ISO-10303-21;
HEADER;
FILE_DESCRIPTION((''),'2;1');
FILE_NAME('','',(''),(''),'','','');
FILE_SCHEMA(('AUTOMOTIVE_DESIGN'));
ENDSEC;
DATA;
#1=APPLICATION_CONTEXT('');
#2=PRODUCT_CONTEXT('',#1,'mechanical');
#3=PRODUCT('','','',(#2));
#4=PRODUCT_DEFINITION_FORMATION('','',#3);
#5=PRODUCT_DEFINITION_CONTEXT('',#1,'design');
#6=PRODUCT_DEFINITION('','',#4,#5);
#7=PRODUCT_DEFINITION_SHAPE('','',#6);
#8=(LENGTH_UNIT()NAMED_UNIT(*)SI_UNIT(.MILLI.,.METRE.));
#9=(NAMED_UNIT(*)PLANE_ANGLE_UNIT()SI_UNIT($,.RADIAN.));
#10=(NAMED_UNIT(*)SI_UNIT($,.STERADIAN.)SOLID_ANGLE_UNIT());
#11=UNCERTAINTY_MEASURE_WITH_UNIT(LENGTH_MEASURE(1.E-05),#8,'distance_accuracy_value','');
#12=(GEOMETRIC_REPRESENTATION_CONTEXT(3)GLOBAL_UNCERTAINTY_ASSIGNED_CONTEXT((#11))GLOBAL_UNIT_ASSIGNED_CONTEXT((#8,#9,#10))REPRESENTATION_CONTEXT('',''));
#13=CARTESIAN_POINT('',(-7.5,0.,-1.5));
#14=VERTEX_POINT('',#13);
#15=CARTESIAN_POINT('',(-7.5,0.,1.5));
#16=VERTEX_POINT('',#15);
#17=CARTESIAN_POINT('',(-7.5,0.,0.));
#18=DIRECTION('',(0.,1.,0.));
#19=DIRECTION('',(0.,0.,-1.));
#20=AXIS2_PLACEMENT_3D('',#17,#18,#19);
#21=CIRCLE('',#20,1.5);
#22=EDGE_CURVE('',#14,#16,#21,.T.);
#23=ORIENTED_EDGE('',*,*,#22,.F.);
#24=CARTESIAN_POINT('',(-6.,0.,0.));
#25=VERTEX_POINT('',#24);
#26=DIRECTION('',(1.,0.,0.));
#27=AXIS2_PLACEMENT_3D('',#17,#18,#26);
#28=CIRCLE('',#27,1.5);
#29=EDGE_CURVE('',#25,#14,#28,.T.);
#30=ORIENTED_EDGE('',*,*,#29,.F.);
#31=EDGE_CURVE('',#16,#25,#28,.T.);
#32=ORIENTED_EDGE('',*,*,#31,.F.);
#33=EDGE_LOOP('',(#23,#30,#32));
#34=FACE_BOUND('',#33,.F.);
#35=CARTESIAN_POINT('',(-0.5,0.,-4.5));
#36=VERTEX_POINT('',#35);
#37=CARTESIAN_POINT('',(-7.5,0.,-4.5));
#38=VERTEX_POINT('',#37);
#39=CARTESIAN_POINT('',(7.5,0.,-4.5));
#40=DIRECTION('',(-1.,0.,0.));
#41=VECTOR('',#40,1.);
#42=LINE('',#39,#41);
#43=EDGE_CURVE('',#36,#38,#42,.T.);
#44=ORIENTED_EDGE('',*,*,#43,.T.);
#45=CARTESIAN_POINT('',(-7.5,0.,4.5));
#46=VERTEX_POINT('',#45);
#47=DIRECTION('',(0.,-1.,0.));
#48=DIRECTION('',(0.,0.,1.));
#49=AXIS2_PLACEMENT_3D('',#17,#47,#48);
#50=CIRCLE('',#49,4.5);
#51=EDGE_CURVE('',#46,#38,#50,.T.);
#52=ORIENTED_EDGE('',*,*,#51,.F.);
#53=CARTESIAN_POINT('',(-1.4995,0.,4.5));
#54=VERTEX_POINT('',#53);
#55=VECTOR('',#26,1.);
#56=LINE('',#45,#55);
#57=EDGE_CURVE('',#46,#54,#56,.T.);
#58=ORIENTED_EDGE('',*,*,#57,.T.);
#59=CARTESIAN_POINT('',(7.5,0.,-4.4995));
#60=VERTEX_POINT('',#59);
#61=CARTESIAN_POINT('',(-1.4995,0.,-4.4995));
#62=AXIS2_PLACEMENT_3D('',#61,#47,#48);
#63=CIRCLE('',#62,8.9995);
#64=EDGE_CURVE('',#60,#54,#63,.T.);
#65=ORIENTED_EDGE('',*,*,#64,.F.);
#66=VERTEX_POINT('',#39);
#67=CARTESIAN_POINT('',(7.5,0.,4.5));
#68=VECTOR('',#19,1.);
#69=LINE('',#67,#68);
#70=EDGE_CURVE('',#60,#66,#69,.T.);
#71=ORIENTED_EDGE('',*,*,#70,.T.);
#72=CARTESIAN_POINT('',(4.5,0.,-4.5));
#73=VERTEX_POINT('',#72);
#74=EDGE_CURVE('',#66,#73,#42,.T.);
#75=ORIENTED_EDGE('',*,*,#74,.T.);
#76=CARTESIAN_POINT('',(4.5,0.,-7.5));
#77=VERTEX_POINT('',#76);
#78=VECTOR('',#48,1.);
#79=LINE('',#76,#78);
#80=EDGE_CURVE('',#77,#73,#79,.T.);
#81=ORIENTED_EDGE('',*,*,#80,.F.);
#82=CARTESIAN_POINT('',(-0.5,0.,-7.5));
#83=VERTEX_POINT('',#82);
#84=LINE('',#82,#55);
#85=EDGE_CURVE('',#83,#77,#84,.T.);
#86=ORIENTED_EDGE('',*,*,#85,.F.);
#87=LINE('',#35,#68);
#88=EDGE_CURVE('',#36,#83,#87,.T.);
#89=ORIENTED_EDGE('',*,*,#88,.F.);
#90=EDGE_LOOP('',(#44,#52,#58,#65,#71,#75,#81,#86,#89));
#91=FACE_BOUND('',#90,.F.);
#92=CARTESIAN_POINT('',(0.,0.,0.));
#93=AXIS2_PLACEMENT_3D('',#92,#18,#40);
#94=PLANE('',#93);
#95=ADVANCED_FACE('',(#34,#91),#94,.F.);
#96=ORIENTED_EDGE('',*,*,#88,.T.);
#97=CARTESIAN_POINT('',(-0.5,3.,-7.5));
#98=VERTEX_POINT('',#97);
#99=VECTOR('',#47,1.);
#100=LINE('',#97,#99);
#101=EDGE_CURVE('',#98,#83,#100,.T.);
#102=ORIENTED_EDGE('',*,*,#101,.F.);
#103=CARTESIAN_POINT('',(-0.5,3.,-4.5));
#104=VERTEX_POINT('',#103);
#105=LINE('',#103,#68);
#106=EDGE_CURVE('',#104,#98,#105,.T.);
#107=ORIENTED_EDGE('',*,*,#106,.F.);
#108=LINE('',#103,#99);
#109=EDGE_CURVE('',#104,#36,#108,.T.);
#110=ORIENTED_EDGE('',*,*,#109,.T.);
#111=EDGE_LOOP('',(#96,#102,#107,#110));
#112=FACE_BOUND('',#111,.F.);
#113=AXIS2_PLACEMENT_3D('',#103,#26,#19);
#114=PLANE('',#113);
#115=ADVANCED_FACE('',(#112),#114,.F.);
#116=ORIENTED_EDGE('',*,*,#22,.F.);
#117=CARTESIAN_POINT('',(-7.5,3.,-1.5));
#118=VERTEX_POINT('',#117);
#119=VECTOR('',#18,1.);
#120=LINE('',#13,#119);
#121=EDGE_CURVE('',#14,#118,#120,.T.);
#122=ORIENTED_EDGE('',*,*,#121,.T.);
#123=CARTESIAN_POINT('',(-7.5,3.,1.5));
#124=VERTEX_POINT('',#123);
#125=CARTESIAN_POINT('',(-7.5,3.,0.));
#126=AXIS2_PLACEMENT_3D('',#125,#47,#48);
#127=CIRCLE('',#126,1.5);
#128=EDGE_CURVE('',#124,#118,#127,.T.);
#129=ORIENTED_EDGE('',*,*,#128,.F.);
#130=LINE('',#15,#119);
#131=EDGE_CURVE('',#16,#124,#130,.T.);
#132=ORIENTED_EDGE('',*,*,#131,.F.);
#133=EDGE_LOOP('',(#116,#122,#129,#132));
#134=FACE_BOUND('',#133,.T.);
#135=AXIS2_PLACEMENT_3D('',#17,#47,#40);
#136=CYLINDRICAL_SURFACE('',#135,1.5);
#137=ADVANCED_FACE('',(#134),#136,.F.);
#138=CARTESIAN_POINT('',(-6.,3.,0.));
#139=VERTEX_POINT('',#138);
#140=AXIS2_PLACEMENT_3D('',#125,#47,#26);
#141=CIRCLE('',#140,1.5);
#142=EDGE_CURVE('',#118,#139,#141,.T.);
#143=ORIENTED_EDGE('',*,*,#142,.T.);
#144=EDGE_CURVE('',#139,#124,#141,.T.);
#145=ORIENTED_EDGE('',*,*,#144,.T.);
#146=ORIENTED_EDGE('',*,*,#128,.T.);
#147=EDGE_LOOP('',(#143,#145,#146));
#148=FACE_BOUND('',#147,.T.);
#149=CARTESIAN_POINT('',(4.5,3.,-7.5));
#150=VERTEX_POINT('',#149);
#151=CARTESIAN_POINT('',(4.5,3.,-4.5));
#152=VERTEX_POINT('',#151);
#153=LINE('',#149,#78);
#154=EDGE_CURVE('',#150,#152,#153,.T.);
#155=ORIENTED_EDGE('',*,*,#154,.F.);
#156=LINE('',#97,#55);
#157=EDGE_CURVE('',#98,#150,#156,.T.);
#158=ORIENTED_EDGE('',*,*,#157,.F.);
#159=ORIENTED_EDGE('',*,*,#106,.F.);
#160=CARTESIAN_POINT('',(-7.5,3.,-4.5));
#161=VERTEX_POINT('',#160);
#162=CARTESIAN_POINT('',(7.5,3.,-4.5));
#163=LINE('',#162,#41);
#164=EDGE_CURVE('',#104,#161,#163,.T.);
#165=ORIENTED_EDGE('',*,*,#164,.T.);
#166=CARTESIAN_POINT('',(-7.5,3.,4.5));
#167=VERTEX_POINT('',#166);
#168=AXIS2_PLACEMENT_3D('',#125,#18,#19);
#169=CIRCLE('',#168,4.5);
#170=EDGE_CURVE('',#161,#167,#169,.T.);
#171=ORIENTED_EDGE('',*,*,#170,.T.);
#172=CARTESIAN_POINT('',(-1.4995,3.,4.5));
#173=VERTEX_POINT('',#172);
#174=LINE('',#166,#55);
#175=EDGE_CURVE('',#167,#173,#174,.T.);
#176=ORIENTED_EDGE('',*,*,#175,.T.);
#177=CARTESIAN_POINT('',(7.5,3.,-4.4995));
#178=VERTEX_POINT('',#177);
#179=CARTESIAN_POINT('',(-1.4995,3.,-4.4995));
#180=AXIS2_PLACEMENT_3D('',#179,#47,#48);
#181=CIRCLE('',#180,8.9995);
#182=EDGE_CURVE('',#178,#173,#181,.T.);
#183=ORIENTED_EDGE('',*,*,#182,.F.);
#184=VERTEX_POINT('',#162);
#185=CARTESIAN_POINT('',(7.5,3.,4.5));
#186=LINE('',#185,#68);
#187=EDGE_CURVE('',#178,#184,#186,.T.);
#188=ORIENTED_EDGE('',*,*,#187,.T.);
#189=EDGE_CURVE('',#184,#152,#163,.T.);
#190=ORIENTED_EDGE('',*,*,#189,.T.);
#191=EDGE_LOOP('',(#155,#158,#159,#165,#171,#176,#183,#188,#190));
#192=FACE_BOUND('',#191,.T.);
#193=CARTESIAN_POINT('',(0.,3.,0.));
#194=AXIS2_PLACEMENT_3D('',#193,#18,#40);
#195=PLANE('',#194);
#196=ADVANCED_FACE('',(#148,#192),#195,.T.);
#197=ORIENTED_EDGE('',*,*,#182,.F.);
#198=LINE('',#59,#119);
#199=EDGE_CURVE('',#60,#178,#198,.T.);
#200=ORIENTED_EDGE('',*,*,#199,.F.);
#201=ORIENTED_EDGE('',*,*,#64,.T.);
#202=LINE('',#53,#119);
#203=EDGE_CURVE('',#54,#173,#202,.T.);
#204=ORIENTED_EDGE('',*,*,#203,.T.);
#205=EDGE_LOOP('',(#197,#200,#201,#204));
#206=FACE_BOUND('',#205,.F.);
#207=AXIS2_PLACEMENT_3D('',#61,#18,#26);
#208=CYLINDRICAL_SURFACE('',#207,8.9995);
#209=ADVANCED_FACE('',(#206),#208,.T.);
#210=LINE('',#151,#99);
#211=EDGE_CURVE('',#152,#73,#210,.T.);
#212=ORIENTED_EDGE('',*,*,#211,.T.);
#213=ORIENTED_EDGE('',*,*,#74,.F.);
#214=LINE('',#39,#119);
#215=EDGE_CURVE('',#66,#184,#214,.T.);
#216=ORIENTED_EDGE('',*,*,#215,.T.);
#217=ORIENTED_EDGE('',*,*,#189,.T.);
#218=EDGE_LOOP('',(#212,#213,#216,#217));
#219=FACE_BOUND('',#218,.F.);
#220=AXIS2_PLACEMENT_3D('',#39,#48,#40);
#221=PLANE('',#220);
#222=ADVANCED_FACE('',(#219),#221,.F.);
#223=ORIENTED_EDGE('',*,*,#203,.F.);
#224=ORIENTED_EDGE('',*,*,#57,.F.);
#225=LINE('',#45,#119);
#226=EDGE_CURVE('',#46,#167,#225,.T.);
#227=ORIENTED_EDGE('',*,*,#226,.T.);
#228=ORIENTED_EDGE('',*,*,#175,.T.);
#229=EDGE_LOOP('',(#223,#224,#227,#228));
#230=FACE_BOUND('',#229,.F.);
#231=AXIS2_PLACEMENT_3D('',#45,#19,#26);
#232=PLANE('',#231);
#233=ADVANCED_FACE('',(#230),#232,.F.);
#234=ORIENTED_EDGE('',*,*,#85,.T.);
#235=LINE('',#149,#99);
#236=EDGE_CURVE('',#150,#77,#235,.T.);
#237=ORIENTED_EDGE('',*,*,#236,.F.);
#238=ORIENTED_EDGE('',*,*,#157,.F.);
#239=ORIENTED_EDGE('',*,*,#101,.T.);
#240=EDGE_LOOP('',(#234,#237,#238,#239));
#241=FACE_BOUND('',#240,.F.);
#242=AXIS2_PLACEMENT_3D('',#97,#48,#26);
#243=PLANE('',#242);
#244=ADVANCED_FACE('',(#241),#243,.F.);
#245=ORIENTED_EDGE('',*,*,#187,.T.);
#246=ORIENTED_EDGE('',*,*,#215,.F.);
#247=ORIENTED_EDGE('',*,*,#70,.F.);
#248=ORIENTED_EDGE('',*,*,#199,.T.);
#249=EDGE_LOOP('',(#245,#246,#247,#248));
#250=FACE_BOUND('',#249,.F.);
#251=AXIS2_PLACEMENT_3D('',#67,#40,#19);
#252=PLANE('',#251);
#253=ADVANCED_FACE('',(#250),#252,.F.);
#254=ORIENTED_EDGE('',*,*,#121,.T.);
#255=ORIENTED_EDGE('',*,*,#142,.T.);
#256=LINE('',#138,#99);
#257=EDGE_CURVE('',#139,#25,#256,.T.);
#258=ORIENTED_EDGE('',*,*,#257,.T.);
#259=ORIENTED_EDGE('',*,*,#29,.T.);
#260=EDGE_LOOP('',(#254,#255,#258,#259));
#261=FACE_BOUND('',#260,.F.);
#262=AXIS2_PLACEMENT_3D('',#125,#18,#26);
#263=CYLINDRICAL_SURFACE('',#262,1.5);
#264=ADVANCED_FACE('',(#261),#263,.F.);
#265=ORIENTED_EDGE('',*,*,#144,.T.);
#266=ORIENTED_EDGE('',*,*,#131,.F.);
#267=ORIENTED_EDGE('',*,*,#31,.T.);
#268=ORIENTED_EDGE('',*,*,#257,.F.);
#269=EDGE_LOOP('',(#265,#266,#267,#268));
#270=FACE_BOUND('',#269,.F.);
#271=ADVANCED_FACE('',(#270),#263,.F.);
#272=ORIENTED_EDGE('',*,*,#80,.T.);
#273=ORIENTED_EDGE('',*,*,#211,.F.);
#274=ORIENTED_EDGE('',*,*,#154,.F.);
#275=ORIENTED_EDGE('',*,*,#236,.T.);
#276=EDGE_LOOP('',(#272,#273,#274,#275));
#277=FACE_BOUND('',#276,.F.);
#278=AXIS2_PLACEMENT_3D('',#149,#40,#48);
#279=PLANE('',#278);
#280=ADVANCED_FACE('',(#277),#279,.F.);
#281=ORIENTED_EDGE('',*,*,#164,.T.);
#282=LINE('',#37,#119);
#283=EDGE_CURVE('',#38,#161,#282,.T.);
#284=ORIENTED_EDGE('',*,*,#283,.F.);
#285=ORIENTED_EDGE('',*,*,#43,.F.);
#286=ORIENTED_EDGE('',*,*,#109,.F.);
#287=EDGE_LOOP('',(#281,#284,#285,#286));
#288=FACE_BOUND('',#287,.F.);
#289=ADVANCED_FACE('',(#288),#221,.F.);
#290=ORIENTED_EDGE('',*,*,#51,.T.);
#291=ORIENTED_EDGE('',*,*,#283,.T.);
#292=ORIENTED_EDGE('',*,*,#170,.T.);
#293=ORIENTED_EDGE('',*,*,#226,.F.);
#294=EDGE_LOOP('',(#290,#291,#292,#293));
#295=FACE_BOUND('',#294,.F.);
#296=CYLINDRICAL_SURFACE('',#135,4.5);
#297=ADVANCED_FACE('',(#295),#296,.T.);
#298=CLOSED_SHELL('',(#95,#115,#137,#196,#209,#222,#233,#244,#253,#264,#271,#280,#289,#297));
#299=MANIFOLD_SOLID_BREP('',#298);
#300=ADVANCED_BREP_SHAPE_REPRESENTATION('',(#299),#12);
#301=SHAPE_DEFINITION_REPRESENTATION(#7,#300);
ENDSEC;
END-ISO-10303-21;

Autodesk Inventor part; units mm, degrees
ref_plane "YZ Plane" through (0, 0, 0) normal (1, 0, 0) x (0, 1, 0)
ref_plane "XZ Plane" through (0, 0, 0) normal (0, 1, 0) x (-1, 0, 0)
ref_plane "XY Plane" through (0, 0, 0) normal (0, 0, 1) x (1, 0, 0)
sketch "Sketch1" plane through (0, 0, 0) normal (0, 1, 0) x (-1, 0, 0)
  line L0 (-7.5, -4.5) -> (7.5, -4.5)
  line L1 (7.5, -4.5) -> (7.5, 4.5)
  line L2 (7.5, 4.5) -> (-7.5, 4.5)
  line L3 (-7.5, 4.5) -> (-7.5, -4.5)
  line L4 (-7.5, -4.5) -> (7.5, 4.5) construction
  line L5 (7.5, -4.5) -> (-7.5, 4.5) construction
  circle A0 centre (7.5, 0) radius 1.5
  circle A1 centre (7.5, 0) radius 4.5
  point P0 (0, 0)
  dimension "d0" = 15
  dimension "d1" = 3
  dimension "d2" = 9
  dimension "d3" = 9
extrude "Extrusion1" add sketch "Sketch1" along normal blind 3 contours L3 L2 A1 L0 | A1 L1 A0 | L1 A0 A1 | A0 L1 picked at (7.0325, 0.1773)
sketch "Sketch2" plane through (0, 3, 0) normal (0, 1, 0) x (1, 0, 0)
  line L0 (-7.5, -1.5) -> (-7.5, 1.5) projected
  circle A0 centre (-7.5, 0) radius 1.5
  point P0 (0, 0)
  dimension "d6" = 3
extrude "Extrusion2" cut sketch "Sketch2" against normal blind 3
sketch "Sketch3" plane through (0, 3, 0) normal (0, 1, 0) x (1, 0, 0)
  line L0 (7.5, 4.5) -> (-7.5, 4.5) projected
  line L1 (4.5, 4.5) -> (-0.5, 4.5)
  line L2 (-0.5, 4.5) -> (-0.5, 7.5)
  line L3 (-0.5, 7.5) -> (4.5, 7.5)
  line L4 (4.5, 7.5) -> (4.5, 4.5)
  line L5 (7.5, -4.5) -> (7.5, 4.5) projected
  point P0 (0, 0)
  dimension "d9" = 5
  dimension "d10" = 3
  dimension "d11" = 3
extrude "Extrusion3" add sketch "Sketch3" against normal blind 3
fillet "Fillet1" radius 9 1 edges at (7.5, 1.5, 4.5)
properties part number "Bottom battery holder"
